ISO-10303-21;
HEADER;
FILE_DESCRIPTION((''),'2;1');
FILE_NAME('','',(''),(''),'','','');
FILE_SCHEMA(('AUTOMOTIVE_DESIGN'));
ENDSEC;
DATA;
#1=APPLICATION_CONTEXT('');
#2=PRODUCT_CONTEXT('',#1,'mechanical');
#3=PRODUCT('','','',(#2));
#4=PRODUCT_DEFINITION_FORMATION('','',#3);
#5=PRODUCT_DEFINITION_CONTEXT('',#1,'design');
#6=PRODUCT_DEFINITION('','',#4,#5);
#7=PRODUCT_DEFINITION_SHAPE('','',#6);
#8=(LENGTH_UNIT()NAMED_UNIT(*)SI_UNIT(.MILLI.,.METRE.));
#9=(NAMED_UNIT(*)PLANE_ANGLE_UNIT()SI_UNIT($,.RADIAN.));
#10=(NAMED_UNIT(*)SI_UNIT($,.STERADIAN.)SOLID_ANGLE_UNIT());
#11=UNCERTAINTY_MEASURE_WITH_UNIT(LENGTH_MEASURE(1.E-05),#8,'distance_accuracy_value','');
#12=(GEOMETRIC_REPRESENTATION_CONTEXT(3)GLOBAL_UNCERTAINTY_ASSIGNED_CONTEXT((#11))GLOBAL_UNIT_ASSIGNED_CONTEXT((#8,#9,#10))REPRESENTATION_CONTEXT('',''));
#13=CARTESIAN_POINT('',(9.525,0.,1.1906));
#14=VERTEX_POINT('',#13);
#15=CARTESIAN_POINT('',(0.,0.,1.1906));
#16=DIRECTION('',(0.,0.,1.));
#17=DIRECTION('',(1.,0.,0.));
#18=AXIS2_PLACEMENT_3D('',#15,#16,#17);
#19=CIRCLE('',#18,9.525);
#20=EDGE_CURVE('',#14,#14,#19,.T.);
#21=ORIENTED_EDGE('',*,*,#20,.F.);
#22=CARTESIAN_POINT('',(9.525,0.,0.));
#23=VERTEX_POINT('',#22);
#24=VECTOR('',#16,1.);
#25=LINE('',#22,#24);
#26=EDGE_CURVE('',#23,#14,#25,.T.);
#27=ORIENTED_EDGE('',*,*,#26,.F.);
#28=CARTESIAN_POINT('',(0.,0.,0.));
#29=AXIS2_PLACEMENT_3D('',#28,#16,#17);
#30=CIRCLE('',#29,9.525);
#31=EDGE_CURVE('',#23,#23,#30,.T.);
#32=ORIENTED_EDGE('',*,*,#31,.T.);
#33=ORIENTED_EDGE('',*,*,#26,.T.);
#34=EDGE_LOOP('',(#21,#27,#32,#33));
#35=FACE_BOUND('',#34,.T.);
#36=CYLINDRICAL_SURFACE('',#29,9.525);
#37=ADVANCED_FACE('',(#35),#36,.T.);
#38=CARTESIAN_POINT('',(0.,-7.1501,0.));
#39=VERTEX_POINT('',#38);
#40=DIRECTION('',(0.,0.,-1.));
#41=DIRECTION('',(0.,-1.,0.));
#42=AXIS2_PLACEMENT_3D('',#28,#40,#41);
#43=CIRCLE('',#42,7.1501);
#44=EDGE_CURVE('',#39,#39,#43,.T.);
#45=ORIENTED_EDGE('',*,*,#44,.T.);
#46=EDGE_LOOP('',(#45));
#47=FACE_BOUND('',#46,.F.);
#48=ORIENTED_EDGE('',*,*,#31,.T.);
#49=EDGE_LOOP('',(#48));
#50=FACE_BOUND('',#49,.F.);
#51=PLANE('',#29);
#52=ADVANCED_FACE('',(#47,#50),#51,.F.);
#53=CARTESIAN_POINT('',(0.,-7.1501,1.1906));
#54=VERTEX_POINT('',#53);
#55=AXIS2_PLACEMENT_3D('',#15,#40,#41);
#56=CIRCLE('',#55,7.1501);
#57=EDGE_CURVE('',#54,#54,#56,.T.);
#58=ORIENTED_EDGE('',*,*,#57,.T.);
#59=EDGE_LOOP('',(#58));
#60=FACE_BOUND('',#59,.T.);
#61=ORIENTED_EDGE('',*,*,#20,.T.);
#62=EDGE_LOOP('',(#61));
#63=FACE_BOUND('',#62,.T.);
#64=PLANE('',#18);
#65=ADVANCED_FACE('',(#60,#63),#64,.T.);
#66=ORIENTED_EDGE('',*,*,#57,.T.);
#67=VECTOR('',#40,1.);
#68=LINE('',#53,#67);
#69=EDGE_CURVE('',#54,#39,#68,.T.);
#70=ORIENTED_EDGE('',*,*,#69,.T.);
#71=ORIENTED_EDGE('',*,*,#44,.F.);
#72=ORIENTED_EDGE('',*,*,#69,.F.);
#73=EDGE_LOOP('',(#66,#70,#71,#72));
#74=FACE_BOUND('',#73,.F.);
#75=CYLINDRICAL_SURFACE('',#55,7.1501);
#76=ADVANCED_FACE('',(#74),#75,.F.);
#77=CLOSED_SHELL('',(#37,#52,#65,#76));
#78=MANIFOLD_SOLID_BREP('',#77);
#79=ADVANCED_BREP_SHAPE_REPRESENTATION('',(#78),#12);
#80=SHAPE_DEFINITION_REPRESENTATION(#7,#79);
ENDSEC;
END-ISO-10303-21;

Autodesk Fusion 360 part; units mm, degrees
cylinder "CylinderPrimitive1" add diameter 19.05 height 1.1906 placed x (1, 0, 0) y (0, 1, 0) z (0, 0, 1) at (0, 0, 0)
hole "Hole1" at (0, 0, 1.1906) direction (0, 0, -1) diameter 14.3002 depth 7.62 tip angle 180
equation "d1 = ( 0.75 / 16 ) * 1 in"
